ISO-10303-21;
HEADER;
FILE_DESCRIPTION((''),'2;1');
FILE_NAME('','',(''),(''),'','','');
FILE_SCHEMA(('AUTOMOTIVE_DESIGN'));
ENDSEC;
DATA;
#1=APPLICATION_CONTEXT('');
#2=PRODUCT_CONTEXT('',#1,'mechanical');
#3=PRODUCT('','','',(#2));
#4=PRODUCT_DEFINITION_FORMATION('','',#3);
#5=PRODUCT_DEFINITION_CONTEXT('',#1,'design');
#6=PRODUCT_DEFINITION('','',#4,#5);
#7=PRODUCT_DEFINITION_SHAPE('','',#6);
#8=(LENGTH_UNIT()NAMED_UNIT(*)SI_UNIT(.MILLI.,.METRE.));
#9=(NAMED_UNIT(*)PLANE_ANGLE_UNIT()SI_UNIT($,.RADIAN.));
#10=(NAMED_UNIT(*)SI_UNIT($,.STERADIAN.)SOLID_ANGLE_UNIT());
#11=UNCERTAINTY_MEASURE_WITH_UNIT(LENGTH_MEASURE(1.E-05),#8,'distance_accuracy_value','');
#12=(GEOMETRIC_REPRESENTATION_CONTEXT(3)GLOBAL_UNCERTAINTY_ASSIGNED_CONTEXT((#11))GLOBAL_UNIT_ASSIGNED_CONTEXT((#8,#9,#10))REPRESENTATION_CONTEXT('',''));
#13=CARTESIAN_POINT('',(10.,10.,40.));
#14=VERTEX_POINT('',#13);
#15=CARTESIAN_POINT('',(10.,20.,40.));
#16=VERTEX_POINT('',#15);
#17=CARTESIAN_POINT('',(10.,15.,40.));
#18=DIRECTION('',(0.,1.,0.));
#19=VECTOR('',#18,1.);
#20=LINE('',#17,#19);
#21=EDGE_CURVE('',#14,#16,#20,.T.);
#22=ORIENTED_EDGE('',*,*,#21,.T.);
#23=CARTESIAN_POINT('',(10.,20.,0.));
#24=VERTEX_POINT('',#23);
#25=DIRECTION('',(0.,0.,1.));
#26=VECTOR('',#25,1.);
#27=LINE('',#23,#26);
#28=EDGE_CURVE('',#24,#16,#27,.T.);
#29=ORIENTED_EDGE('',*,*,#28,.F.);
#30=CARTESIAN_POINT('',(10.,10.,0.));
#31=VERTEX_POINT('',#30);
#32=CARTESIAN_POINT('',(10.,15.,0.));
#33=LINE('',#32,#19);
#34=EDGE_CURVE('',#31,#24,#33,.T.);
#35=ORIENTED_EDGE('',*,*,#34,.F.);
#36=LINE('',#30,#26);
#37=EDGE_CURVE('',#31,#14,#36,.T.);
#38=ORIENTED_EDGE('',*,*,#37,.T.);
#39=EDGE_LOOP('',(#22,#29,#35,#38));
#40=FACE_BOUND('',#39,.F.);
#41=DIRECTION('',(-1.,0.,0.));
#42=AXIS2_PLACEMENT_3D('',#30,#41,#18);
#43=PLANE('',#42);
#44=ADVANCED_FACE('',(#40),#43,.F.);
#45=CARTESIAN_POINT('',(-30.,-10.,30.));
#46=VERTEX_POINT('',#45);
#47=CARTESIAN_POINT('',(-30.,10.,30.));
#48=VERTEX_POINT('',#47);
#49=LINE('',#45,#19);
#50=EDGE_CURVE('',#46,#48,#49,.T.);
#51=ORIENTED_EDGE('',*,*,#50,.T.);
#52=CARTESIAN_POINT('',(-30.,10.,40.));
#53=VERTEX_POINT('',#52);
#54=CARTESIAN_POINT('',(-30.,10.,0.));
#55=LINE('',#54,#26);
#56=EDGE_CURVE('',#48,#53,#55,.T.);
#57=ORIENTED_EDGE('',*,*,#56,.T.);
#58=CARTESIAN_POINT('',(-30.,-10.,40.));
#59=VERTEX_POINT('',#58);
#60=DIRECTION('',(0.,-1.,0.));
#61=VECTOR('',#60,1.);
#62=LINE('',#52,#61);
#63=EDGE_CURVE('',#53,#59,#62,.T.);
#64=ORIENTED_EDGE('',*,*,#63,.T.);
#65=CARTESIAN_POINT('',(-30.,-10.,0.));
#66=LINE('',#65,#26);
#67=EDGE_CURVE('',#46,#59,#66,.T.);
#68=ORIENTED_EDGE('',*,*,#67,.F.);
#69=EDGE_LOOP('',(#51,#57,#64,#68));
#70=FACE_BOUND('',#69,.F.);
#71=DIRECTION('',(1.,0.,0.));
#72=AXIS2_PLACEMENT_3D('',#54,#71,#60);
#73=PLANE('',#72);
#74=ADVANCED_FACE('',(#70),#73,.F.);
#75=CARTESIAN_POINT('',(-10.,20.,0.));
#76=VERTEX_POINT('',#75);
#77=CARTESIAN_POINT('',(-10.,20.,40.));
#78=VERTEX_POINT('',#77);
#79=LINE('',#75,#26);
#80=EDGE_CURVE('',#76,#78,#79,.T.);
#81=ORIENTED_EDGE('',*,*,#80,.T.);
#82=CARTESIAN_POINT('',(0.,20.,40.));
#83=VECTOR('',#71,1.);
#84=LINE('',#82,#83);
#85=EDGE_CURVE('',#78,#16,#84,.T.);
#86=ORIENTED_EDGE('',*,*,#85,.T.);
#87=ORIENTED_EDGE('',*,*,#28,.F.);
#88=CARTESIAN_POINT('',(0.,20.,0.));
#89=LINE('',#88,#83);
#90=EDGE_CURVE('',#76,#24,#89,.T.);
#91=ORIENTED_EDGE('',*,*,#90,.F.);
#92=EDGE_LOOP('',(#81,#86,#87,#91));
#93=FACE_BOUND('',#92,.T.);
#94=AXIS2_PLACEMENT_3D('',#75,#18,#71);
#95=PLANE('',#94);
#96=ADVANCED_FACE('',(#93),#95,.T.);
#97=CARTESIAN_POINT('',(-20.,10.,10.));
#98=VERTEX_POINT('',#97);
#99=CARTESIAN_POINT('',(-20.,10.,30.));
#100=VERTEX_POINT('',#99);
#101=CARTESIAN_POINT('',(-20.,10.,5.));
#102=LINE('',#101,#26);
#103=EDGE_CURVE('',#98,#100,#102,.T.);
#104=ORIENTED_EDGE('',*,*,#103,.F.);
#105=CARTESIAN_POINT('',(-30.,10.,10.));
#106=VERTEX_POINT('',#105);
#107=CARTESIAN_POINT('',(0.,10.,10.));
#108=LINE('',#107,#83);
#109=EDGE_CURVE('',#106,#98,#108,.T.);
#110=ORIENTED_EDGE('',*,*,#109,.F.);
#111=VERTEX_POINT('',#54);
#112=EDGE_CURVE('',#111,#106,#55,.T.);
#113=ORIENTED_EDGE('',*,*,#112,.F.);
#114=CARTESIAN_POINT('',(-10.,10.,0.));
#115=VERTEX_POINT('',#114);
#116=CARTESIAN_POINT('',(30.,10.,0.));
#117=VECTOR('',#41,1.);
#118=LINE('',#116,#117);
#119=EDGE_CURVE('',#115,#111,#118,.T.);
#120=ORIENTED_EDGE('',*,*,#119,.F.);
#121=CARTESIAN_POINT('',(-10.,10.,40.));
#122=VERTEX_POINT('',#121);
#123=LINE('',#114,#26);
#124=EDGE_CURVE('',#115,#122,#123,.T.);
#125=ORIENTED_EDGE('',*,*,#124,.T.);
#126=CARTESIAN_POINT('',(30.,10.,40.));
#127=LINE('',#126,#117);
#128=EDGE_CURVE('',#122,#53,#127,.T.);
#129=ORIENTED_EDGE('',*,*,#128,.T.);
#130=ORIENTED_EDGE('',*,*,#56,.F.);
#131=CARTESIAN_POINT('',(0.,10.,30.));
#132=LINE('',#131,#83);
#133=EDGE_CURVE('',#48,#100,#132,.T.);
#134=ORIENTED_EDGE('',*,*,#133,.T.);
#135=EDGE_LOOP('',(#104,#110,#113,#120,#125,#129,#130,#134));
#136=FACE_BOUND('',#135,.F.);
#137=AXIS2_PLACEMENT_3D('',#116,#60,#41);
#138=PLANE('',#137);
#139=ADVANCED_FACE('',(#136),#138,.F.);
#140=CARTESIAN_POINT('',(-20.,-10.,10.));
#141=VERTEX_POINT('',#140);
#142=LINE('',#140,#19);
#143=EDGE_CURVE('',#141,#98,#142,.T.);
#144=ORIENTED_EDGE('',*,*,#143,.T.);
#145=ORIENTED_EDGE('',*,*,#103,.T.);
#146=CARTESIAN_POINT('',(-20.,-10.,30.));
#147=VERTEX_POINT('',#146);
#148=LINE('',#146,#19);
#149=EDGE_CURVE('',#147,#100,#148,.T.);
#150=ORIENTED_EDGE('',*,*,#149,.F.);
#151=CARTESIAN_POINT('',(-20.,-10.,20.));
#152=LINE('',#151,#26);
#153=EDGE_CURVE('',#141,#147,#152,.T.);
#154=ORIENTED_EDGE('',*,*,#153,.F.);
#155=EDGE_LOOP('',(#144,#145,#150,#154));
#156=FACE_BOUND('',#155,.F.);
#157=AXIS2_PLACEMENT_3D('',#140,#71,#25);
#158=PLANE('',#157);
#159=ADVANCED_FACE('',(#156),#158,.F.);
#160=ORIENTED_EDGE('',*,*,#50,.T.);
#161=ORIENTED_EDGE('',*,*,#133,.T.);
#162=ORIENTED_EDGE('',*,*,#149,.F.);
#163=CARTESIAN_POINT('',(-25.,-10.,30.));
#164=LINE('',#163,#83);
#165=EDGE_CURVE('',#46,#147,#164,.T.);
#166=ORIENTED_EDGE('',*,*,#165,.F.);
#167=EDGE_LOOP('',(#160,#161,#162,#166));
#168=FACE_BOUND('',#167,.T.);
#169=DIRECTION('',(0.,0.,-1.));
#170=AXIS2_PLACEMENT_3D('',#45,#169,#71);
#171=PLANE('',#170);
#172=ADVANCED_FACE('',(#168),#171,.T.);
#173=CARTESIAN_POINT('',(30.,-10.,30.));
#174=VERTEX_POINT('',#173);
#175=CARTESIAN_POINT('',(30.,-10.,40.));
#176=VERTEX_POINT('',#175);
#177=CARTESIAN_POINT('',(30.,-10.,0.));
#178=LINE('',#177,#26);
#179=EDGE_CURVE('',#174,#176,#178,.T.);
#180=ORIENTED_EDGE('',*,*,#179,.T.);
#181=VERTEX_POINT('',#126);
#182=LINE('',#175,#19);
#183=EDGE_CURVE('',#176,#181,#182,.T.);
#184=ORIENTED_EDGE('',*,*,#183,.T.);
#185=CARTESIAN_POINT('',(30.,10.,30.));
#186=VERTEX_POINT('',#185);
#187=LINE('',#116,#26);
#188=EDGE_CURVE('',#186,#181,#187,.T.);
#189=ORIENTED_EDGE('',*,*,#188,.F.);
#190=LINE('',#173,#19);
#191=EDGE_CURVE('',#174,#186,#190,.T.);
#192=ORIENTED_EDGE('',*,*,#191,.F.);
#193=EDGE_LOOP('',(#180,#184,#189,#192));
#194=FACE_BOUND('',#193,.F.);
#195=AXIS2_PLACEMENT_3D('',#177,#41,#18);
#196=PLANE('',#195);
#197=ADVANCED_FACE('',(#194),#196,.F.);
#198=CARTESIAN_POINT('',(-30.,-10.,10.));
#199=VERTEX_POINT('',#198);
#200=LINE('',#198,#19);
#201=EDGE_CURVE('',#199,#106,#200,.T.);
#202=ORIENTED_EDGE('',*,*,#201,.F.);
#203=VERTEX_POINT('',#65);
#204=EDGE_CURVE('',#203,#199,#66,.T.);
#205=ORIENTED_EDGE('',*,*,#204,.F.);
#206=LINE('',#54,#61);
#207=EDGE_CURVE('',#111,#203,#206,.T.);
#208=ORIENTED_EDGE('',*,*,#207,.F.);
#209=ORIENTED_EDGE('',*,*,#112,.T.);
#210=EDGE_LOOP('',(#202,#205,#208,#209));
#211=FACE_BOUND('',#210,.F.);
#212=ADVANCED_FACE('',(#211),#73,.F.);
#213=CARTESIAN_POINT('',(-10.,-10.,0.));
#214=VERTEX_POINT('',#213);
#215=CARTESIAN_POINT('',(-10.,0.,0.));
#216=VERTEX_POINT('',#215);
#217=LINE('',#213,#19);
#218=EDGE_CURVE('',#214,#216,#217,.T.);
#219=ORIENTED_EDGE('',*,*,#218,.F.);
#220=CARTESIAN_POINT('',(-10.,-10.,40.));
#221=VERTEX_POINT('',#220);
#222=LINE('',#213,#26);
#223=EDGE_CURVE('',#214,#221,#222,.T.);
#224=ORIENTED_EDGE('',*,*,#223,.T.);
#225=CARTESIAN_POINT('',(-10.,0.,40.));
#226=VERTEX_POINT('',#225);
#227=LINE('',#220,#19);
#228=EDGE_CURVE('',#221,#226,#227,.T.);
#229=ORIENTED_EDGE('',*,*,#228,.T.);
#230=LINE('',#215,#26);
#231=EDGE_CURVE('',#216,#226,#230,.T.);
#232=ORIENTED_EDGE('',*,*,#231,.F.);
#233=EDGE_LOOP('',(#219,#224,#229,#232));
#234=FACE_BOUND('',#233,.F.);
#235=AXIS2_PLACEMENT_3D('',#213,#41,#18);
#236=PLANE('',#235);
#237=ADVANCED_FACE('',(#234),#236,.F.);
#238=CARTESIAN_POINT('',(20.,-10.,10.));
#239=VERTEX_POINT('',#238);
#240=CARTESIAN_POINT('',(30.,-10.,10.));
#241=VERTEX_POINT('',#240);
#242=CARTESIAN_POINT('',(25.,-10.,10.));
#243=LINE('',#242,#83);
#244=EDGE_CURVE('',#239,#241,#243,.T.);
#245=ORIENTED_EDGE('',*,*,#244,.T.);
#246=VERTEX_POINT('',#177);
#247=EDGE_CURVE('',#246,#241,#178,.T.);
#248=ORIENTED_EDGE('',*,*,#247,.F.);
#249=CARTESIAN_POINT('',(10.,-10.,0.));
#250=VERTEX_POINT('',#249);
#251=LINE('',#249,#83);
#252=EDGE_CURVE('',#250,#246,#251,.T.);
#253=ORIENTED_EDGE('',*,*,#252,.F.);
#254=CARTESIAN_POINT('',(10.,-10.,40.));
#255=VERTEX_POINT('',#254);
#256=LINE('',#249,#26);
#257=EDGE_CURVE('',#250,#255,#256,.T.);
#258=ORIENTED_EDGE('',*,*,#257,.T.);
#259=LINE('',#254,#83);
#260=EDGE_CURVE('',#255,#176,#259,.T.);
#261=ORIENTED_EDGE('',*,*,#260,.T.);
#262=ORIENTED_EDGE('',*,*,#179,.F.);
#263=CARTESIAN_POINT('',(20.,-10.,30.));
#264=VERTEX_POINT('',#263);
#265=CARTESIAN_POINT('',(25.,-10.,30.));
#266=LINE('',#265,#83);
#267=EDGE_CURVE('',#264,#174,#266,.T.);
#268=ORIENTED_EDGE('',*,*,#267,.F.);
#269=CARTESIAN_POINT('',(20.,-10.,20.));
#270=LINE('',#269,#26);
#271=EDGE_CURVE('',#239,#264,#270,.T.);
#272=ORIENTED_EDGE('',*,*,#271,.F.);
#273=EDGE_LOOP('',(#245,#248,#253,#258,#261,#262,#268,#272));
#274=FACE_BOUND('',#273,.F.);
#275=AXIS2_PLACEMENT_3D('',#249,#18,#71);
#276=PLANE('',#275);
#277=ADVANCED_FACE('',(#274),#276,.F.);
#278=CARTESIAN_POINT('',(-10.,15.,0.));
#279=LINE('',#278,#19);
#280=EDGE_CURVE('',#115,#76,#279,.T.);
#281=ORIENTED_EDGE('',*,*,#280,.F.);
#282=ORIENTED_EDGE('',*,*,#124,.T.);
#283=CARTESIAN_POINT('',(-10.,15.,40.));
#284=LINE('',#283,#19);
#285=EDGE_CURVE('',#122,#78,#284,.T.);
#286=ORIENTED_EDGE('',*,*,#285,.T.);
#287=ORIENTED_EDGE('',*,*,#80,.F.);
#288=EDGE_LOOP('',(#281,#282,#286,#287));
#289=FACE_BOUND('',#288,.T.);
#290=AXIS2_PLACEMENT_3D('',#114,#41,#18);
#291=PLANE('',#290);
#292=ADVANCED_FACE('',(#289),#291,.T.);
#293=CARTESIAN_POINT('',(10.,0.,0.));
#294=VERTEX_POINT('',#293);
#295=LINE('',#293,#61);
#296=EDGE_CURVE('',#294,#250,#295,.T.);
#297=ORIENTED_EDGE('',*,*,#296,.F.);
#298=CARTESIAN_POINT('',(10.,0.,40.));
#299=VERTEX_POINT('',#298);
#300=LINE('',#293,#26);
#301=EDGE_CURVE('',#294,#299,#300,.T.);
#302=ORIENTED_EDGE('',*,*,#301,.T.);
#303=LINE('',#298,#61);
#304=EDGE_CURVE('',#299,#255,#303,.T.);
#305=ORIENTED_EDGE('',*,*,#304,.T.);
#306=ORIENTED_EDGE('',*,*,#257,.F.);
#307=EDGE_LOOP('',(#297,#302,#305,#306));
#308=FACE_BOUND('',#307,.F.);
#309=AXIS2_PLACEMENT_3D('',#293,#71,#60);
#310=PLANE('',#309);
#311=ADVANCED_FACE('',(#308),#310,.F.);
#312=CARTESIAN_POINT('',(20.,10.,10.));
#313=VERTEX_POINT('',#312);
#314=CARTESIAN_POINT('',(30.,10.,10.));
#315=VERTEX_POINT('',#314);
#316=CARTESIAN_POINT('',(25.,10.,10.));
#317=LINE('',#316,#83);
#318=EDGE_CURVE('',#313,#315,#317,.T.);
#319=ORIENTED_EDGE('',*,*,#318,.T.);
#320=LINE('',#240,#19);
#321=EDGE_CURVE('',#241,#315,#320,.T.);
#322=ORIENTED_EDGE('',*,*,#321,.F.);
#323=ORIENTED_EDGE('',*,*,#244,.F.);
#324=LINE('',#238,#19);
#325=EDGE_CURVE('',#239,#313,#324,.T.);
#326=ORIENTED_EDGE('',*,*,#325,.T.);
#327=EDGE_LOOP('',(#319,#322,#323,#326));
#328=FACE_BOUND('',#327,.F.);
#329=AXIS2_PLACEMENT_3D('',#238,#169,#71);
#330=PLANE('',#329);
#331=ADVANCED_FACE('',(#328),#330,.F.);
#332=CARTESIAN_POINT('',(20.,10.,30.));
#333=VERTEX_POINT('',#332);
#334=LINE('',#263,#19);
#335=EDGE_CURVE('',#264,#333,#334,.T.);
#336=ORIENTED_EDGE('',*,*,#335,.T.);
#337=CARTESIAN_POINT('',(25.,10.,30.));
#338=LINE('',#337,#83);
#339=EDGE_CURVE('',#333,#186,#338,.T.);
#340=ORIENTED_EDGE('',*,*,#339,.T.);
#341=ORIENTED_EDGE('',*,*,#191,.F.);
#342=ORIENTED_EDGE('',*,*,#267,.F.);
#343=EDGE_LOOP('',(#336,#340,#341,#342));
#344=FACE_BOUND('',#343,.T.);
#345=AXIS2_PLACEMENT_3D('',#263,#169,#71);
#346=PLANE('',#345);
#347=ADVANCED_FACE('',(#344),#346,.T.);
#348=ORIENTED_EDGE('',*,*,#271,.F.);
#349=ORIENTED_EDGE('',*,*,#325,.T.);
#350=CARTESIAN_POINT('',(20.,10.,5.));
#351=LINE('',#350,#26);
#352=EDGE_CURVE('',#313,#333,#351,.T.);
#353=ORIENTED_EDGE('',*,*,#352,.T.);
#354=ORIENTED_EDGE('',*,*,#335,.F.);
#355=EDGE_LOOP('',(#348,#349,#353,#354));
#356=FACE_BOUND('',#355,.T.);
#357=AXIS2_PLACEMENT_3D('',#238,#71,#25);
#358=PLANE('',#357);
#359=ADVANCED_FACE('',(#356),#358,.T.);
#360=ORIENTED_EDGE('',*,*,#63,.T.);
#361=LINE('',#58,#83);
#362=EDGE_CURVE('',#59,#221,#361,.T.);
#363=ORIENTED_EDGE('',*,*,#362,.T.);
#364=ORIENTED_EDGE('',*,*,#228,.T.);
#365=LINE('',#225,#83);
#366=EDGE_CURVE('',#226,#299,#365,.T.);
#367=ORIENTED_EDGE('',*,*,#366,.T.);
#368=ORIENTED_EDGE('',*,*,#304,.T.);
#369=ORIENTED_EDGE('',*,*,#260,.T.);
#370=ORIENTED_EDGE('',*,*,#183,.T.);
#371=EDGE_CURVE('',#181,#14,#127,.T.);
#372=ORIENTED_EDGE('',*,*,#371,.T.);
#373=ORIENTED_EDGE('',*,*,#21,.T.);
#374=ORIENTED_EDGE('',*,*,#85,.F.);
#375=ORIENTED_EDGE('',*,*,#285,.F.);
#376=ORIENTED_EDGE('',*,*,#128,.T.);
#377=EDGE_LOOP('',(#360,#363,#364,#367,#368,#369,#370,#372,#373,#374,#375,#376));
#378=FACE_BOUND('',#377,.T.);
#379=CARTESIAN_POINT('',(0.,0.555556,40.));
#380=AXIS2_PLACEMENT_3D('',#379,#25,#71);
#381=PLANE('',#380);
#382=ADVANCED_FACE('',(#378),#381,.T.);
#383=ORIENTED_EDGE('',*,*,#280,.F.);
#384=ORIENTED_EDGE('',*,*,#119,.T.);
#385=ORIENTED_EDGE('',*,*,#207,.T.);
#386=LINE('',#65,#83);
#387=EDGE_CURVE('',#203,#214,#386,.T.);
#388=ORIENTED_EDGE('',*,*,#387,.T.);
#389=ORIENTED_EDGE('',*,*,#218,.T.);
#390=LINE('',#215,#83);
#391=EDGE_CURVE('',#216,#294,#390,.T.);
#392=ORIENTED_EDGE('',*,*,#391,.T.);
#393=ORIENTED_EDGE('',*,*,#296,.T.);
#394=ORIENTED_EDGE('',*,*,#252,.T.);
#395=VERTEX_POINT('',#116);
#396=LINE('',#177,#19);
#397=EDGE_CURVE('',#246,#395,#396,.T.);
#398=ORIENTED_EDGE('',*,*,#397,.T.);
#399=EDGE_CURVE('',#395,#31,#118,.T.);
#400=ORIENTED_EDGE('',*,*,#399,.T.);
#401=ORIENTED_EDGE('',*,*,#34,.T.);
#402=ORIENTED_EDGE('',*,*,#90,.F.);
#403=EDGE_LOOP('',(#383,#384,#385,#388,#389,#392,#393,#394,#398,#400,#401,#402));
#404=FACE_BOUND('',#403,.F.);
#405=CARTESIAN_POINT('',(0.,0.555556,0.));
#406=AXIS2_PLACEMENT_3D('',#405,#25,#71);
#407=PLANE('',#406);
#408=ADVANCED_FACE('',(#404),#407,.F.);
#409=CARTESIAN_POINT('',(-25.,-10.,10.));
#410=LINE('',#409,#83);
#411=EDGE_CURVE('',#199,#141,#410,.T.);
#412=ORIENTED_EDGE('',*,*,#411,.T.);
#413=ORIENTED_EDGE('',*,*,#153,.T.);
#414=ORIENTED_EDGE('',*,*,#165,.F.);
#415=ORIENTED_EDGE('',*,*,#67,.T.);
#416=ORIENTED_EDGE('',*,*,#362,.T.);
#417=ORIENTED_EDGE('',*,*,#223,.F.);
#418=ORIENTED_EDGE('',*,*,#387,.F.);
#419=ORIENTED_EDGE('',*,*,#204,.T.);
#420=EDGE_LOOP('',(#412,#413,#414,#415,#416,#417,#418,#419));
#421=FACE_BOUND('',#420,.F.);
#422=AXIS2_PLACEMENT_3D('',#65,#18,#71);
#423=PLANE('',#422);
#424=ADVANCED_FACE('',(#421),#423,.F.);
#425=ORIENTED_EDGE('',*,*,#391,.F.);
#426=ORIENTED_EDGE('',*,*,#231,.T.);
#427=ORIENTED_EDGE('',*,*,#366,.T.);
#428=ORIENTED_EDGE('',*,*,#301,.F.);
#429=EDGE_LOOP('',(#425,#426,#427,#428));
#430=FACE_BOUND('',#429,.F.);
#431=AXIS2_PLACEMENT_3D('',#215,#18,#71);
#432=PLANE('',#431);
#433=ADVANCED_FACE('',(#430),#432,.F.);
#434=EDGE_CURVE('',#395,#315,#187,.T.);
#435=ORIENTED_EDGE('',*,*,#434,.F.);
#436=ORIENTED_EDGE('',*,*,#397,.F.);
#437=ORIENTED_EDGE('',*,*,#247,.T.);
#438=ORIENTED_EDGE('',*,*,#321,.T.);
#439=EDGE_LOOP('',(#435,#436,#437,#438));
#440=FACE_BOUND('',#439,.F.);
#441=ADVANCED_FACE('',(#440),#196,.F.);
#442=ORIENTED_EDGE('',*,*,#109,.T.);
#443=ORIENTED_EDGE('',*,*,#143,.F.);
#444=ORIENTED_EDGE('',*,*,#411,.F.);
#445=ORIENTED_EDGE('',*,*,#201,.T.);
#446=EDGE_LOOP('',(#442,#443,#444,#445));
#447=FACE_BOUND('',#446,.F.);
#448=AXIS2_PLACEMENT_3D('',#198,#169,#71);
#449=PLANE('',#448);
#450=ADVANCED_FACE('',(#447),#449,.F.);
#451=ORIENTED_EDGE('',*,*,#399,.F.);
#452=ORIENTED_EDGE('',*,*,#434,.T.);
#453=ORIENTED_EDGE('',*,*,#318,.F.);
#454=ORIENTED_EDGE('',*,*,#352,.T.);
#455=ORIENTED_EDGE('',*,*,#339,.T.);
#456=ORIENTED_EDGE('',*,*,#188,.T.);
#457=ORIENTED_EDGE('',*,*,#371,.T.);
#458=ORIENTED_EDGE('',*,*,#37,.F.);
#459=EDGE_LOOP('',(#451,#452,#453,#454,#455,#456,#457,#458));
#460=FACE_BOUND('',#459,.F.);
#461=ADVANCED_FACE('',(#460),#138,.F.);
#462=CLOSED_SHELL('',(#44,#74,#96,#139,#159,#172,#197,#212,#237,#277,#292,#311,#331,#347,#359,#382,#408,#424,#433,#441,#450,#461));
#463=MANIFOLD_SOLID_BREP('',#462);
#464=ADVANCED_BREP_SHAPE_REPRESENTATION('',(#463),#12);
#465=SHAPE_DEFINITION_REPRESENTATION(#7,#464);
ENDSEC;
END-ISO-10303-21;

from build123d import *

# Parameters (mm, degrees)
F1_DEPTH = 40
F0_W     = 20
F0_H     = 10
F2_DEPTH = 40
F3_W     = 10
F3_H     = 20
F4_DEPTH = 25


with BuildPart() as f1:
    # F0 (on Top) → F1 (new body)
    with BuildSketch(Plane.XY):
        Polygon((30, -10), (30, 10), (10, 10), (-10, 10), (-30, 10), (-30, -10), (-10, -10), (-10, 0), (10, 0), (10, -10), align=None)
    extrude(amount=F1_DEPTH)

    # F0 (on Top) → F2 (join)
    with BuildSketch(Plane.XY):
        with Locations((0, 15)):
            Rectangle(F0_W, F0_H)
    extrude(amount=F2_DEPTH)

    # F3 (on face) → F4 (cut)
    with BuildSketch(Plane.XZ.offset(10)):
        with Locations((25, 20)):
            Rectangle(F3_W, F3_H)
        with Locations((-25, 20)):
            Rectangle(F3_W, F3_H)
    extrude(amount=-F4_DEPTH, mode=Mode.SUBTRACT)


solid = f1.part
